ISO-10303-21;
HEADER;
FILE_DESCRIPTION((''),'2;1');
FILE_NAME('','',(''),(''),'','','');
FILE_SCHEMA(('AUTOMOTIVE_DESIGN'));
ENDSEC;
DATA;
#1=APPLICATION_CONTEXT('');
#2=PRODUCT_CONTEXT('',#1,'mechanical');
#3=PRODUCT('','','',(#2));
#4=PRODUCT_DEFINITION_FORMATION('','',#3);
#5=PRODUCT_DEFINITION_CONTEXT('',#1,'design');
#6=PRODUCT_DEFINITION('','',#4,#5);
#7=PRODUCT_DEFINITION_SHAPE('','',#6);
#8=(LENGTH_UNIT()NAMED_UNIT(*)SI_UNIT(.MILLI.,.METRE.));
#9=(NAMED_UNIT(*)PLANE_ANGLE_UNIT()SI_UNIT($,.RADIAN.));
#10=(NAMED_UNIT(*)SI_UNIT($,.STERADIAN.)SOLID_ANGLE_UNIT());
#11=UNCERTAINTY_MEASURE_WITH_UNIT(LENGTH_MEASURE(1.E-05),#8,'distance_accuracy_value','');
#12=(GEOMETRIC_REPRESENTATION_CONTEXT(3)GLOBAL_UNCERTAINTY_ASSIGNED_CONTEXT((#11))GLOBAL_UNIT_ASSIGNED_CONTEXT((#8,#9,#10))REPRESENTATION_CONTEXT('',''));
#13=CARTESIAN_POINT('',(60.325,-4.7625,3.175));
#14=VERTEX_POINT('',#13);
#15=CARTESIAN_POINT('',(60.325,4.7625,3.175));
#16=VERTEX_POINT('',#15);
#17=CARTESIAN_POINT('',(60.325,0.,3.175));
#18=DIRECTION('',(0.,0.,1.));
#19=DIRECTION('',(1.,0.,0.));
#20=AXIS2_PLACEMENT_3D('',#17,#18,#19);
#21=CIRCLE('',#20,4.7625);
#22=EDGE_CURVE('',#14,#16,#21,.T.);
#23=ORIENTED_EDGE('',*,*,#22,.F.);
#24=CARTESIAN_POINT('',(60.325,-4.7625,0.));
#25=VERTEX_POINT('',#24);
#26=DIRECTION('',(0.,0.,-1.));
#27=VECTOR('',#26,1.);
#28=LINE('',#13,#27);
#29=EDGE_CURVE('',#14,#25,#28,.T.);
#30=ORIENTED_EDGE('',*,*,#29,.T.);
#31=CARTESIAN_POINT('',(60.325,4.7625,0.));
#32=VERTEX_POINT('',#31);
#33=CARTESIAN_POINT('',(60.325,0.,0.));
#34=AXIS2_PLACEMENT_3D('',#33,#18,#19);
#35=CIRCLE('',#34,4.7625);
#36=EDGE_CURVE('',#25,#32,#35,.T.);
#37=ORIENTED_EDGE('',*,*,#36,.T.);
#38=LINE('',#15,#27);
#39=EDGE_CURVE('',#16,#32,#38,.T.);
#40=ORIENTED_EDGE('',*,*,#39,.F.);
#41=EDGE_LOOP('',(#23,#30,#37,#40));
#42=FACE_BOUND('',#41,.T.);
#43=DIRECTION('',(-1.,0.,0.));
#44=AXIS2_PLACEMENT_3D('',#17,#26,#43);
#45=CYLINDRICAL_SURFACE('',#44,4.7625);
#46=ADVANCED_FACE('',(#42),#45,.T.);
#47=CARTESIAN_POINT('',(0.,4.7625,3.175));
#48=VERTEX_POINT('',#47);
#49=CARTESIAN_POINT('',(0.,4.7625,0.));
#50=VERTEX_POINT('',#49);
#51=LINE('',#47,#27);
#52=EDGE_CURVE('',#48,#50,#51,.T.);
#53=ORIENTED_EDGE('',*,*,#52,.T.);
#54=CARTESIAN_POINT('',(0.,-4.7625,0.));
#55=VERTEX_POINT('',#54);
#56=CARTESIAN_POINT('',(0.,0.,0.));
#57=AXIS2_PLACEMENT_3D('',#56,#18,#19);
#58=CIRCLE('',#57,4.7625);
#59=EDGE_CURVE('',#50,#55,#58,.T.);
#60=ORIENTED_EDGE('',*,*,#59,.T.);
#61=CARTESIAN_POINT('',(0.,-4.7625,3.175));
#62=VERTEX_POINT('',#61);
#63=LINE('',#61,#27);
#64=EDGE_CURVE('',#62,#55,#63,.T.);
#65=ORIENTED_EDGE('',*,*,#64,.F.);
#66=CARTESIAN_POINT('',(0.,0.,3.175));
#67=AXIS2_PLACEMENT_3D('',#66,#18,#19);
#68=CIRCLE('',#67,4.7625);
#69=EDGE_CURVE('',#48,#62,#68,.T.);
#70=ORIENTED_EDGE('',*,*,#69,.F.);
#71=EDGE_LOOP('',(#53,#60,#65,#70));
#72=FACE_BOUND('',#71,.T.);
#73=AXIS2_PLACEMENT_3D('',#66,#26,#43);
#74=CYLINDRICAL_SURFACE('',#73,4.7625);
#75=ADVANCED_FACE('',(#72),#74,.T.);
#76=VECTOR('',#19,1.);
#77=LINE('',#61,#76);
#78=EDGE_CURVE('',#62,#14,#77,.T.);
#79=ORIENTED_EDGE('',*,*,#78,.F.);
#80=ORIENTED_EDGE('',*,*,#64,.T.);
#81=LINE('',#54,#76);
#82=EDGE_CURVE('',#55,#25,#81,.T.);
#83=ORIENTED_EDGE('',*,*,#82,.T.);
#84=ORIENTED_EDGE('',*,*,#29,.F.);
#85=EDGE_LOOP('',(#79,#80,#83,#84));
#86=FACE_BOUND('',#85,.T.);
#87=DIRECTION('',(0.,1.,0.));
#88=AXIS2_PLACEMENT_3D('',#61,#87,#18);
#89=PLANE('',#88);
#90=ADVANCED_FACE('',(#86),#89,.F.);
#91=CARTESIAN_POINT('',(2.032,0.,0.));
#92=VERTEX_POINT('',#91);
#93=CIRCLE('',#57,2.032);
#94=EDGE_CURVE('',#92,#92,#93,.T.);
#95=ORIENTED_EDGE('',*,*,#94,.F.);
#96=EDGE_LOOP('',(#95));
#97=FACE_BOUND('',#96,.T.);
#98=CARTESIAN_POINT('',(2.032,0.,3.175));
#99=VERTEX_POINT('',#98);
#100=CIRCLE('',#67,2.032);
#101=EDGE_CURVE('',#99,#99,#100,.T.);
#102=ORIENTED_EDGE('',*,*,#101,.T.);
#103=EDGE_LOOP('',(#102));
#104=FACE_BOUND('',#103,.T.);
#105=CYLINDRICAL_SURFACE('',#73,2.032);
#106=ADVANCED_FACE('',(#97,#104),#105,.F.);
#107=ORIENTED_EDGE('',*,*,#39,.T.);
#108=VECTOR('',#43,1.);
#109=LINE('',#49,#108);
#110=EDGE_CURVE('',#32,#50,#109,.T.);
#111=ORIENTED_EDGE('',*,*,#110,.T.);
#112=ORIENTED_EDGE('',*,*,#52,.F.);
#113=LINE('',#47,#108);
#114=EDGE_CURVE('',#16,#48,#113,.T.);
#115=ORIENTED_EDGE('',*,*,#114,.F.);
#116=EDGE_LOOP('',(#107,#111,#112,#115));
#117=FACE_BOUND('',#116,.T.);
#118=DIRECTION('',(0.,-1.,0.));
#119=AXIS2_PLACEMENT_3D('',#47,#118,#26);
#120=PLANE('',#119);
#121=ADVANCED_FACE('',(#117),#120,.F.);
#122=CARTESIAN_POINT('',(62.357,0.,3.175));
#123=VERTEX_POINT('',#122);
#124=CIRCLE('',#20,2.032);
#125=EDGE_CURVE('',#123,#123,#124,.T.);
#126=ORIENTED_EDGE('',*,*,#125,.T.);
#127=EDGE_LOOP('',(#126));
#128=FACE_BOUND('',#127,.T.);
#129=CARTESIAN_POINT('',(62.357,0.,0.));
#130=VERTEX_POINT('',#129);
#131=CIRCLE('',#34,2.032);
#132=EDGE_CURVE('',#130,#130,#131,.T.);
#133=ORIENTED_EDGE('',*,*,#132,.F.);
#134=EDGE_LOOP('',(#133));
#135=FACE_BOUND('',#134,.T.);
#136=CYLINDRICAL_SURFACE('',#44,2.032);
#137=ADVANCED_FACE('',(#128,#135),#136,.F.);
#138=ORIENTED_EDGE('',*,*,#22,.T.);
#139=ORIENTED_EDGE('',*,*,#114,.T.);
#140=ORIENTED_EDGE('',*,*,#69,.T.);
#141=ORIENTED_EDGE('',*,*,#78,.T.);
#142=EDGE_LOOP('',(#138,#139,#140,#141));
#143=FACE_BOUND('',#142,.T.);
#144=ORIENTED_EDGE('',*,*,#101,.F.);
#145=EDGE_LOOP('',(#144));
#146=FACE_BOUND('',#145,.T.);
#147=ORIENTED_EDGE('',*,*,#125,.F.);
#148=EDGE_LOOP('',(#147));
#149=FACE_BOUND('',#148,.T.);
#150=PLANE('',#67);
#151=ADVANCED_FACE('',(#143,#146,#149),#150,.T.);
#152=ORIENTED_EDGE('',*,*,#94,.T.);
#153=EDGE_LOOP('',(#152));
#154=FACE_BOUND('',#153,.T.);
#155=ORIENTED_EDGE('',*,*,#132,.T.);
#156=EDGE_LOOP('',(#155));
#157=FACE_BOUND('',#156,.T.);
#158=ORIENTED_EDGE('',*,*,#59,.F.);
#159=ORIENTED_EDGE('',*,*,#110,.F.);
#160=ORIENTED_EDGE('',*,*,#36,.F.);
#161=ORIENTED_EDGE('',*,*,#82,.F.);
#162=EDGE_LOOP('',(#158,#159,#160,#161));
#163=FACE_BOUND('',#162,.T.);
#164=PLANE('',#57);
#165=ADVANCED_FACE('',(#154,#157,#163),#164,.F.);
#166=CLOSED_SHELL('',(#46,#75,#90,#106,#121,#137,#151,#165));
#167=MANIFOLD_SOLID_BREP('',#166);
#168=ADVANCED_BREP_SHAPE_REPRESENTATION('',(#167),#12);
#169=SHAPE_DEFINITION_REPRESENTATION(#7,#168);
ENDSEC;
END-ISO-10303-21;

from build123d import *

# Parameters (mm, degrees)
SKETCH1_R           = 2.032
BOSS_EXTRUDE1_DEPTH = 3.175


with BuildPart() as part:
    # Sketch1 → Boss-Extrude1 (new body)
    with BuildSketch(Plane.XY):
        with BuildLine():
            Line((0, 4.7625), (60.325, 4.7625))
            ThreePointArc((60.325, 4.7625), (65.0875, 0), (60.325, -4.7625))
            Line((60.325, -4.7625), (0, -4.7625))
            ThreePointArc((0, -4.7625), (-4.7625, 0), (0, 4.7625))
        make_face()
        Circle(SKETCH1_R, mode=Mode.SUBTRACT)
        with Locations((60.325, 0)):
            Circle(SKETCH1_R, mode=Mode.SUBTRACT)
    extrude(amount=BOSS_EXTRUDE1_DEPTH)


solid = part.part
